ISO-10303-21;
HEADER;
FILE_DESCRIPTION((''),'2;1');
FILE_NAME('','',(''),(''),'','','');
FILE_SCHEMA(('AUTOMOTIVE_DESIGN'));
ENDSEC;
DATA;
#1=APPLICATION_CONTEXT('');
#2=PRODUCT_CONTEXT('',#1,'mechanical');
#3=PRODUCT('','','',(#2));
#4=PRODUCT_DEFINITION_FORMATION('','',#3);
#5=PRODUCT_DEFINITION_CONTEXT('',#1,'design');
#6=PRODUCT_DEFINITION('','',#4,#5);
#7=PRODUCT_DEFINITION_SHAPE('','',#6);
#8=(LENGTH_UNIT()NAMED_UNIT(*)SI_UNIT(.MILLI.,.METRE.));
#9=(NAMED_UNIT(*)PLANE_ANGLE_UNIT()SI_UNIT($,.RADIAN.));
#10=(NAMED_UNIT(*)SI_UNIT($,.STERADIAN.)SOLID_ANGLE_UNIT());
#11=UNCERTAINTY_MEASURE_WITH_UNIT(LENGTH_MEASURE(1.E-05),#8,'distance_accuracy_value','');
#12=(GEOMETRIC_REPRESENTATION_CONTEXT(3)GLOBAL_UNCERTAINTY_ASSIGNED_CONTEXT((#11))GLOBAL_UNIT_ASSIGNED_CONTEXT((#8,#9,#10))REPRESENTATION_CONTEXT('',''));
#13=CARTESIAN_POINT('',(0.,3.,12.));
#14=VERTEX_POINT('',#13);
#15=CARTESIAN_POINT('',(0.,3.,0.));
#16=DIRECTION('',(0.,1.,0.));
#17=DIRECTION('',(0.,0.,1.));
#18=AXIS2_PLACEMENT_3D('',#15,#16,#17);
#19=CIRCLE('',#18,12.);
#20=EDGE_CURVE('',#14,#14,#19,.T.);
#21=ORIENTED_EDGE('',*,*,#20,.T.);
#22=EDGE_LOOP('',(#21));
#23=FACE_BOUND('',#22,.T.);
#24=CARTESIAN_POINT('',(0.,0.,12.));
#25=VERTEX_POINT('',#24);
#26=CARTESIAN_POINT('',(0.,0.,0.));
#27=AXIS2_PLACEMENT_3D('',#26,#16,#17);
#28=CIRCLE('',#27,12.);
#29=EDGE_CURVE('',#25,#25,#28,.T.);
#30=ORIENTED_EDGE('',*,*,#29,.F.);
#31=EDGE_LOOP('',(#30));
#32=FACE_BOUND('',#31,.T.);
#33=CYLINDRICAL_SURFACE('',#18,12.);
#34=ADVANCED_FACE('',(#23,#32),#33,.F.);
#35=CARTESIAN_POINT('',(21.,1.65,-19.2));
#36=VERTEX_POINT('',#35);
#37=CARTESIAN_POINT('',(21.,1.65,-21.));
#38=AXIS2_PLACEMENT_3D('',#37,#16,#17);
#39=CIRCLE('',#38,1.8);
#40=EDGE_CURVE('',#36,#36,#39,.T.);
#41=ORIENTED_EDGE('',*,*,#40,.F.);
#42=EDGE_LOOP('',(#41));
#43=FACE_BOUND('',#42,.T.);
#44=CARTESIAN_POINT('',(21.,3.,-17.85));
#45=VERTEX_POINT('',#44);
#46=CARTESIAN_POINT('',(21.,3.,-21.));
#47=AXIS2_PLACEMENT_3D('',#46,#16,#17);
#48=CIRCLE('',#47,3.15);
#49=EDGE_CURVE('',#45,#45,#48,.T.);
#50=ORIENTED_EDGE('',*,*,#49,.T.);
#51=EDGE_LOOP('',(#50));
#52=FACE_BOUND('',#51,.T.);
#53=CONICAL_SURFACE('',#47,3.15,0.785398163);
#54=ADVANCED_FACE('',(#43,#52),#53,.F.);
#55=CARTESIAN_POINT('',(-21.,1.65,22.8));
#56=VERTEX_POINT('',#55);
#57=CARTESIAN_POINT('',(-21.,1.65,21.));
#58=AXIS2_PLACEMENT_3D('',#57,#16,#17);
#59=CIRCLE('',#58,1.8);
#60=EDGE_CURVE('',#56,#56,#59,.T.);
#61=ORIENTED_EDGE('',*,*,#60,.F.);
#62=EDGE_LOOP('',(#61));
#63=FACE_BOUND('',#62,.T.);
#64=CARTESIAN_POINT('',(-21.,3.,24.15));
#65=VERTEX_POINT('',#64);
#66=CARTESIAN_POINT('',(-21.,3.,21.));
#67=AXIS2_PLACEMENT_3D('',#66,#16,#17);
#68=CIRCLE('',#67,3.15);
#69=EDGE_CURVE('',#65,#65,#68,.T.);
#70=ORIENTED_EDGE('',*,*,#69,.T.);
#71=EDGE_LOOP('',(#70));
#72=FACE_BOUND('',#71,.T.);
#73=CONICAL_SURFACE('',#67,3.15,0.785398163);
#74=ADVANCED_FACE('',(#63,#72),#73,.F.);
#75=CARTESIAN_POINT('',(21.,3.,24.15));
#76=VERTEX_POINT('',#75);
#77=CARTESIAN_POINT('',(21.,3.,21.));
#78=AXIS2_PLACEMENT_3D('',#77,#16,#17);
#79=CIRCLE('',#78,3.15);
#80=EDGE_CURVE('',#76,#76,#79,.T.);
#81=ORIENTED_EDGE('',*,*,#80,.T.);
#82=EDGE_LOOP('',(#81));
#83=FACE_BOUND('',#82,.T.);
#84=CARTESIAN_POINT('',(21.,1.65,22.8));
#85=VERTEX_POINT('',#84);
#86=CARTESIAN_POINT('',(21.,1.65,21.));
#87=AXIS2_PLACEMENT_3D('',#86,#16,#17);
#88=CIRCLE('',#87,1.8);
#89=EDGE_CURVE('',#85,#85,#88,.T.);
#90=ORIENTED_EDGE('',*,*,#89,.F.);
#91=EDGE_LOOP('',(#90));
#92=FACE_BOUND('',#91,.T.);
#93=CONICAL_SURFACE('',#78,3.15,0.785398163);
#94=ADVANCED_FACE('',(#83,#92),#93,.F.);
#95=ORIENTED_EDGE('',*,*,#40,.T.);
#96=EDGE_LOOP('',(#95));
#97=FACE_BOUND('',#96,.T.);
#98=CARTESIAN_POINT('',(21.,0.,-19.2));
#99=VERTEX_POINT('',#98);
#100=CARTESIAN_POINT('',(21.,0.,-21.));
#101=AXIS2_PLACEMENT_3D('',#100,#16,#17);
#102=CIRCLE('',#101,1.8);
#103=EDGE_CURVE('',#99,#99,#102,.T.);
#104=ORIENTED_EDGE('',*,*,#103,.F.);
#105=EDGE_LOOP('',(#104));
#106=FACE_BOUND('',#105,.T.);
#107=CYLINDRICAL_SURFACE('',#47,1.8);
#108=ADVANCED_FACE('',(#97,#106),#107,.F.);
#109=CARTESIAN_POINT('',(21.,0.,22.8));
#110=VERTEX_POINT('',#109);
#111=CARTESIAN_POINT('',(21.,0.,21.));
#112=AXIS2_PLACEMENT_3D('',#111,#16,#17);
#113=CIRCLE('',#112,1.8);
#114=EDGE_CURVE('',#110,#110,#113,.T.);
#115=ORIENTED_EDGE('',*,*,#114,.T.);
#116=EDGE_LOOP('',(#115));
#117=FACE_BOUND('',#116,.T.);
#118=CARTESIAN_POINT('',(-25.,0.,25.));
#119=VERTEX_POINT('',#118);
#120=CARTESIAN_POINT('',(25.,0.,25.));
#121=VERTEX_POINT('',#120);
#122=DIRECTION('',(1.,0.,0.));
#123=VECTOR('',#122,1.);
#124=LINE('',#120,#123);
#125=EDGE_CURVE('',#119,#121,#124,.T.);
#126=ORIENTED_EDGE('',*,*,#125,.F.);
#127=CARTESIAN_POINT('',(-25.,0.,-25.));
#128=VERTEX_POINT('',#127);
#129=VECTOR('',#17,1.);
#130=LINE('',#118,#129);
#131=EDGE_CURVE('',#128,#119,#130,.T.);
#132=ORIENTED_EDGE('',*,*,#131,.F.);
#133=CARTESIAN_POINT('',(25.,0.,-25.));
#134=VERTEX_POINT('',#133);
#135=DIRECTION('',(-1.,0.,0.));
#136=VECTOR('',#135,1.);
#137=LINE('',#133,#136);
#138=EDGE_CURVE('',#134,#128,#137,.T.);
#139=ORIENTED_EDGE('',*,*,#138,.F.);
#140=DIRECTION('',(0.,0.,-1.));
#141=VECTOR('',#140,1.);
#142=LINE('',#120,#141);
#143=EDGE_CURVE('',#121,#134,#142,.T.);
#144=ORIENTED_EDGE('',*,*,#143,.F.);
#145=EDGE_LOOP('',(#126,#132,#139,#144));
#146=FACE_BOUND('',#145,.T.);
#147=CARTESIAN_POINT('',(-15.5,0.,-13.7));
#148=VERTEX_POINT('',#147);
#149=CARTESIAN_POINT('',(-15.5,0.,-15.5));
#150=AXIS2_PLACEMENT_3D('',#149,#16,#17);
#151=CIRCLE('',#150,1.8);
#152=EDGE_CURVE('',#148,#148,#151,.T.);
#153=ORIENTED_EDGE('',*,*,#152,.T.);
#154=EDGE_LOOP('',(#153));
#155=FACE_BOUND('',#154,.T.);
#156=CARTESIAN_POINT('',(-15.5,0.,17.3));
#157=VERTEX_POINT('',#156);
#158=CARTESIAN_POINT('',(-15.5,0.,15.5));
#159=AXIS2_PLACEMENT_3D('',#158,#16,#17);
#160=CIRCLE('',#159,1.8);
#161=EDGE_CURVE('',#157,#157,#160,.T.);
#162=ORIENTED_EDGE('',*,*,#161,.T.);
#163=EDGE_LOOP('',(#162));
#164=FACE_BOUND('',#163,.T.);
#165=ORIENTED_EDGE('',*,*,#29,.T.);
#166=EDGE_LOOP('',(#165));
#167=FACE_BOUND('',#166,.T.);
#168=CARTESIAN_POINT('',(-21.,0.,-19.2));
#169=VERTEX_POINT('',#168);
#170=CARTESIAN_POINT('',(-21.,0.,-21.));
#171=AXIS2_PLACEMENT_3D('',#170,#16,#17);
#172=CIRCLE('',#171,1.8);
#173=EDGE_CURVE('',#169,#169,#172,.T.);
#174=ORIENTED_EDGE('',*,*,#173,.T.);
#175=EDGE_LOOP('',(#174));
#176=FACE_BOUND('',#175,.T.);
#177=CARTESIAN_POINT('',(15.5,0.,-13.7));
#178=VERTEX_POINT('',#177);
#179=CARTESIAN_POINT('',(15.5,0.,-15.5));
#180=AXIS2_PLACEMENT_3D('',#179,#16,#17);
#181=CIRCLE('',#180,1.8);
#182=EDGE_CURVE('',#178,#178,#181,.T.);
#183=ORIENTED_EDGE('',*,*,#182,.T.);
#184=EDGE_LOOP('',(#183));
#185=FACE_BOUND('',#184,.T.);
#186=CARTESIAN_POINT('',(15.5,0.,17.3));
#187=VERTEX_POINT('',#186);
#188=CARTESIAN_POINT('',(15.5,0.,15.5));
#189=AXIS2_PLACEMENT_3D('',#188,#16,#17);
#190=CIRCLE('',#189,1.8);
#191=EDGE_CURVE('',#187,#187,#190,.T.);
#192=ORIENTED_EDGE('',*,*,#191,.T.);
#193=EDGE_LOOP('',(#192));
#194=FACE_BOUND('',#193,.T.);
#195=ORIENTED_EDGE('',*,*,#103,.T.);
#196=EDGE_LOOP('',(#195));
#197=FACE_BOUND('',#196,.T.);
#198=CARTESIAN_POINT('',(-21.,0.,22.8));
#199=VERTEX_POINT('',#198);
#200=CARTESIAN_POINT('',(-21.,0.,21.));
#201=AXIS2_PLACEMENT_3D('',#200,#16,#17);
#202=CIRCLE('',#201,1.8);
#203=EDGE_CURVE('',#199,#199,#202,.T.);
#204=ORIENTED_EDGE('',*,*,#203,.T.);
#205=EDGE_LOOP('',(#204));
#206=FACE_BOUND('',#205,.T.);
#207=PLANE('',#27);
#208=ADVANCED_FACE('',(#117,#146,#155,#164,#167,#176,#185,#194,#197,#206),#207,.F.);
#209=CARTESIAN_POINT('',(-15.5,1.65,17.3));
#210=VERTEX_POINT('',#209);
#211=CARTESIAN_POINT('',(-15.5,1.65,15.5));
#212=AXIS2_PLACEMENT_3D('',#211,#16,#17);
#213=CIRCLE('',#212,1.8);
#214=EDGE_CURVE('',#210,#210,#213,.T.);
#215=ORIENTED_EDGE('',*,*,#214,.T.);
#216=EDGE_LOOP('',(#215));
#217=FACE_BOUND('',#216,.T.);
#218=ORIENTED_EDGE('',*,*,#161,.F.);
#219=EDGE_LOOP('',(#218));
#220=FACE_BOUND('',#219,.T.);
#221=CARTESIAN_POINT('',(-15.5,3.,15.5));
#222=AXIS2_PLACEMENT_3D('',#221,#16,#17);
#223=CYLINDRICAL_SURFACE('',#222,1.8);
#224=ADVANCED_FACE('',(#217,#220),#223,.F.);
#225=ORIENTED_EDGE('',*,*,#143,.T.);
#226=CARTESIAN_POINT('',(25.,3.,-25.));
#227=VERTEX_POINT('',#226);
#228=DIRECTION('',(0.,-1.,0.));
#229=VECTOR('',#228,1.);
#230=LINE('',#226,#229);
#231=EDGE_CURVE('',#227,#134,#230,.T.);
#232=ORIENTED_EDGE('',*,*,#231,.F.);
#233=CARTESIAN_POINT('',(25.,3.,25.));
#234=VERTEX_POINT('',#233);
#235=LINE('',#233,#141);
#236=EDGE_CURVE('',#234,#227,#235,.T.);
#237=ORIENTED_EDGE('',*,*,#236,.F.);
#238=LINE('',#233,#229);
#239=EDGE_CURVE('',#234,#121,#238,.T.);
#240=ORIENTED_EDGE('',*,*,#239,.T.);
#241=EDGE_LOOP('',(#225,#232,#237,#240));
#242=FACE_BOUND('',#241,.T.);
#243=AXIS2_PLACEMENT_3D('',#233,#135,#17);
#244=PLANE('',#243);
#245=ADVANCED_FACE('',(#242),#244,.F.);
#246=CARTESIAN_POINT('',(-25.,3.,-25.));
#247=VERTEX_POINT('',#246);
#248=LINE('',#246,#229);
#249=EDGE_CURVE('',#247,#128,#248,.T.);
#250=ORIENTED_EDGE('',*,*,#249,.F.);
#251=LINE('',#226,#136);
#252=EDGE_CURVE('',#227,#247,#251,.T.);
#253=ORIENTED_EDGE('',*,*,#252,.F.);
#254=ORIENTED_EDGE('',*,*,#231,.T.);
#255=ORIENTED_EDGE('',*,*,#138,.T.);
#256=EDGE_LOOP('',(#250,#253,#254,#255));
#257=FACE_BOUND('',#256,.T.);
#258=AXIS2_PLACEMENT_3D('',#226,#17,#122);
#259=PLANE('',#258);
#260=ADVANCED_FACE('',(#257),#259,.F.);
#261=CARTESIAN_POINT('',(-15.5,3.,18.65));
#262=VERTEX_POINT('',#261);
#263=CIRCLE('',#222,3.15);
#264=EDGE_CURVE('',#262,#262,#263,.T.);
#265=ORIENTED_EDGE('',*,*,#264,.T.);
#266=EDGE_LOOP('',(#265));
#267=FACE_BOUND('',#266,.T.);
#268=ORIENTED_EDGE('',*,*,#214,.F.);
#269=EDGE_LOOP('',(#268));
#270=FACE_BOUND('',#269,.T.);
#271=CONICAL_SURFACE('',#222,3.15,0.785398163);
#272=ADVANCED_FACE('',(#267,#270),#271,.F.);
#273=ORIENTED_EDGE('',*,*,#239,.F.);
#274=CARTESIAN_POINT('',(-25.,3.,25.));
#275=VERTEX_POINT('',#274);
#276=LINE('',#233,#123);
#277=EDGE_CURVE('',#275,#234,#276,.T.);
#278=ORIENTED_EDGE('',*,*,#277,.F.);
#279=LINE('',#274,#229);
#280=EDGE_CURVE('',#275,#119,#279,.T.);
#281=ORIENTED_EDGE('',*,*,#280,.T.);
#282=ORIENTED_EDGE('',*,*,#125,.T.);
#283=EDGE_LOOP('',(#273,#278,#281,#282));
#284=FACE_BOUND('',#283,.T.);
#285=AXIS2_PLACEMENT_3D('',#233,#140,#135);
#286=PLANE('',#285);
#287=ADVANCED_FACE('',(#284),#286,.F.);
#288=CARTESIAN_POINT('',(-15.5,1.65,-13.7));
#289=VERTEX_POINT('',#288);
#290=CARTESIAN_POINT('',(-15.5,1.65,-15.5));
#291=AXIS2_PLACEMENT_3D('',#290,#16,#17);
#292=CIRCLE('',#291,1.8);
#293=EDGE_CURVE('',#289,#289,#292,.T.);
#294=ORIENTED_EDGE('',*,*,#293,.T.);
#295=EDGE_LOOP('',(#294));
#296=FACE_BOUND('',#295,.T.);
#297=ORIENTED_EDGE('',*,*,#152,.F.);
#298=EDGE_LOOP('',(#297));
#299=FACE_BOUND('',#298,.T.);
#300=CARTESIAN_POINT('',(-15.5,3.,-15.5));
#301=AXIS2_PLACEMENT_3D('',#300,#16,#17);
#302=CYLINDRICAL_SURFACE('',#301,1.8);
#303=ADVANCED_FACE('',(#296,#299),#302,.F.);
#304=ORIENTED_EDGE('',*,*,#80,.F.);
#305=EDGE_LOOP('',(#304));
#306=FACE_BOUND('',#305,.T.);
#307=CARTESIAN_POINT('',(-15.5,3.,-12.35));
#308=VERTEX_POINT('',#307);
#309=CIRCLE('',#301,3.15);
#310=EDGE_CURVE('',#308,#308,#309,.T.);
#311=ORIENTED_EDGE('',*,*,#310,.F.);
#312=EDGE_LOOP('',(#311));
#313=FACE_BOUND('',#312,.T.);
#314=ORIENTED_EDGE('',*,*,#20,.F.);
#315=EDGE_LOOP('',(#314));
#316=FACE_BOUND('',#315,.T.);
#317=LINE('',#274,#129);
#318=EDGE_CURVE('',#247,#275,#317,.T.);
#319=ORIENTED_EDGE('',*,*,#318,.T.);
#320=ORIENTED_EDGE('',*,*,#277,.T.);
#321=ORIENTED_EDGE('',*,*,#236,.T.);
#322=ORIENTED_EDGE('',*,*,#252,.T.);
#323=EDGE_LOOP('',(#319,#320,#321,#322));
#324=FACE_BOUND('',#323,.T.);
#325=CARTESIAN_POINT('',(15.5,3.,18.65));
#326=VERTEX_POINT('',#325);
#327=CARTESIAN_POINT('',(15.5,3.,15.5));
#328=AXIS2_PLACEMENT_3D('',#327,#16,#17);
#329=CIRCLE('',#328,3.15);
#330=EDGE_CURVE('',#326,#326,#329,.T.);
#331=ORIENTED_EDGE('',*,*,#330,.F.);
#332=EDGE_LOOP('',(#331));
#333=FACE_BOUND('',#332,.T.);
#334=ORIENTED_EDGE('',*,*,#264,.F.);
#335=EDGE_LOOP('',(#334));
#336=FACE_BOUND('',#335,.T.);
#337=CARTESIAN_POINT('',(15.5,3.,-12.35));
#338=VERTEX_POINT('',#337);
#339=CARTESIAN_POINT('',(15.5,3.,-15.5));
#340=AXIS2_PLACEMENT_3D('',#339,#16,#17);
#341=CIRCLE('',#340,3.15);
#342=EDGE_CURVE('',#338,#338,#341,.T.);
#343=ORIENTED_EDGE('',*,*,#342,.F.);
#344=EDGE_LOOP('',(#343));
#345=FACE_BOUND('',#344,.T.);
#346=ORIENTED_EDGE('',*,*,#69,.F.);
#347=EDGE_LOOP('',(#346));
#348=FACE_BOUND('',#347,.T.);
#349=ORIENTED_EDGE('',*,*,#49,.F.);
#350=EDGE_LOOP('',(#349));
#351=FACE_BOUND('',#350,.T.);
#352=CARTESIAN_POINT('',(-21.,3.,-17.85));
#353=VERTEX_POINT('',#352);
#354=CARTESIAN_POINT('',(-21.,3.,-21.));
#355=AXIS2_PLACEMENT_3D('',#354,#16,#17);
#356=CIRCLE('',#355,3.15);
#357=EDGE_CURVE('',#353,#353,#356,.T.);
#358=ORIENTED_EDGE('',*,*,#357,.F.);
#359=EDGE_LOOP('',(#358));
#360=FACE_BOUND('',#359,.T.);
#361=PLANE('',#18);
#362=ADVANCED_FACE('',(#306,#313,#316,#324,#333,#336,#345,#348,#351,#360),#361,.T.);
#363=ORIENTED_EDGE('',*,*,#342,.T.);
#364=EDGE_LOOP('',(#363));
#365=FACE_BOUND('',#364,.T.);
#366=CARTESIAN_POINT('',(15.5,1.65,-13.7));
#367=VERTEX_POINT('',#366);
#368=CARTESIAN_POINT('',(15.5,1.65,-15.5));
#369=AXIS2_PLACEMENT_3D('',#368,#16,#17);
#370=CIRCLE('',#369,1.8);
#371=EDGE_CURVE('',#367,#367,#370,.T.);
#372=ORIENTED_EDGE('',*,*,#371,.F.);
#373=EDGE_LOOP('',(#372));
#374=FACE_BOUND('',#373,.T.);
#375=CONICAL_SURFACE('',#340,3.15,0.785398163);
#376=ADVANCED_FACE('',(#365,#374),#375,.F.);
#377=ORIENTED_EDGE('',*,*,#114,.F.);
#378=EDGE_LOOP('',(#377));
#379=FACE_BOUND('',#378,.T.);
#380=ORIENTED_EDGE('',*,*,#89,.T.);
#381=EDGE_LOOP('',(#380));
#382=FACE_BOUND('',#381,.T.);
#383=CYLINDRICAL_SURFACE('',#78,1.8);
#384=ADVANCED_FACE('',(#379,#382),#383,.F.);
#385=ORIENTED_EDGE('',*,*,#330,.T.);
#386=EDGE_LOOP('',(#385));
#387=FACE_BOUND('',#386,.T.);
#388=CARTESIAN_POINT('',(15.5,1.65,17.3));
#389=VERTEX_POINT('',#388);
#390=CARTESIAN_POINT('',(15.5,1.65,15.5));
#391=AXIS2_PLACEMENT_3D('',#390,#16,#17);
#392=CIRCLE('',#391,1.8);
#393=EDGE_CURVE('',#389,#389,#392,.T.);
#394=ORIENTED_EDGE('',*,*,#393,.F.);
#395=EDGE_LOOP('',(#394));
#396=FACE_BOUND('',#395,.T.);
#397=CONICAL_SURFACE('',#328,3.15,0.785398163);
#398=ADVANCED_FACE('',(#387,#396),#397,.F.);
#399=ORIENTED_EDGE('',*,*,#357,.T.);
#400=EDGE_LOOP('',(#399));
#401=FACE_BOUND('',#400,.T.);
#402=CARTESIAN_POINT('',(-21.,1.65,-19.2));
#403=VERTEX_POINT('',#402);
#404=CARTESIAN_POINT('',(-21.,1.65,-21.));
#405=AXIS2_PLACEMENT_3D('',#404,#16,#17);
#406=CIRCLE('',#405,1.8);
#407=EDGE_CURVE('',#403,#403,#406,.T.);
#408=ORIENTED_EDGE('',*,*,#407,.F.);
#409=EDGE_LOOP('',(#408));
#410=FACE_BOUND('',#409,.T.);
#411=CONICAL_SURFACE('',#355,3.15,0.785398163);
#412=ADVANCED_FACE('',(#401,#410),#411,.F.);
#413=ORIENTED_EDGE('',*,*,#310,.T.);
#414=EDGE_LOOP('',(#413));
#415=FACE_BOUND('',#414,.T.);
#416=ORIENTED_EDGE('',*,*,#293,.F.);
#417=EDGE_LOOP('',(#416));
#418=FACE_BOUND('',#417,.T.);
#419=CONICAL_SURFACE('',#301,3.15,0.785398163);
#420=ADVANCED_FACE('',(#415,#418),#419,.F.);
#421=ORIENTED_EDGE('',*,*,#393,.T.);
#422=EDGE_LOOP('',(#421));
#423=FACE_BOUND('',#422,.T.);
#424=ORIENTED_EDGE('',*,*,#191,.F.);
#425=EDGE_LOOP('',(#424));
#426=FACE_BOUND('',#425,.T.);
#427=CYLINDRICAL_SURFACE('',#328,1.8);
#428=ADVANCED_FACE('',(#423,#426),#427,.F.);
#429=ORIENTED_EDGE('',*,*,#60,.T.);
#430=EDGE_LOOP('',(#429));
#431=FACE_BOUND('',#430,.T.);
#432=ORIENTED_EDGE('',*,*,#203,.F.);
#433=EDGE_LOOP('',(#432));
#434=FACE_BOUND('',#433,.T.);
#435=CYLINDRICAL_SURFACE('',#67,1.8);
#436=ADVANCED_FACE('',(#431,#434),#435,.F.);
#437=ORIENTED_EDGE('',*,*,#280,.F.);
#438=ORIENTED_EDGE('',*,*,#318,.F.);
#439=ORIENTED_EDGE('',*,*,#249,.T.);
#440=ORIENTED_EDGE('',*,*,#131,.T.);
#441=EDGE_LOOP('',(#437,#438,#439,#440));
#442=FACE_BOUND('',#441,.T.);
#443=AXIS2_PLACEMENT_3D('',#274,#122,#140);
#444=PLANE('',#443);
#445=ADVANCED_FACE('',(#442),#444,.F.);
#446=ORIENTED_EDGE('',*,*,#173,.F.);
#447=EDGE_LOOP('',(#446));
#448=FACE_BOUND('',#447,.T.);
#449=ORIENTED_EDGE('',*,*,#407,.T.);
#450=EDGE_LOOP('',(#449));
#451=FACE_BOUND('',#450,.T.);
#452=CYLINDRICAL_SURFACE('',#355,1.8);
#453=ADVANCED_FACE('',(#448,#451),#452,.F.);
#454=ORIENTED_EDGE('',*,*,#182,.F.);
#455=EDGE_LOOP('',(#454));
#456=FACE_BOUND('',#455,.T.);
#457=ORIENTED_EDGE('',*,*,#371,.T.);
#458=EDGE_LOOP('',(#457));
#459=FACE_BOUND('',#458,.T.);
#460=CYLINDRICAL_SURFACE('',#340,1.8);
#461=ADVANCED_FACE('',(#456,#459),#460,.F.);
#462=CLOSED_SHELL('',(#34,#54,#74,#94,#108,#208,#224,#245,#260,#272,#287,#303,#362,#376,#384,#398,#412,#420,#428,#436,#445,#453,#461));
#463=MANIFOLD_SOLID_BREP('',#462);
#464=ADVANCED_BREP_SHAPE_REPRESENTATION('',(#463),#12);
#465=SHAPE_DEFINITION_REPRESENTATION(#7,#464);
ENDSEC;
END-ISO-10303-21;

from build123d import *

# Parameters (mm, degrees)
PLATE_W                                        = 50
PLATE_H                                        = 50
BOSS_EXTRUDE1_DEPTH                            = 3
CSK_FOR_M3_OVAL_HEAD_MACHINE_SCREW1_AT_2_COUNT = 2
CSK_FOR_M3_OVAL_HEAD_MACHINE_SCREW1_AT_2_PITCH = 42
CSK_FOR_M3_OVAL_HEAD_MACHINE_SCREW1_AT_3_COUNT = 2
CSK_FOR_M3_OVAL_HEAD_MACHINE_SCREW1_AT_3_PITCH = 59.39696962
CSK_FOR_M3_OVAL_HEAD_MACHINE_SCREW1_AT_4_COUNT = 2
CSK_FOR_M3_OVAL_HEAD_MACHINE_SCREW1_AT_4_PITCH = 42
F_24_0_24_DIAMETER_HOLE1_D                     = 24
F_24_0_24_DIAMETER_HOLE1_ON_FACE_2_D           = 24
F_24_0_24_DIAMETER_HOLE1_ON_FACE_3_D           = 24
CSK_FOR_M3_OVAL_HEAD_MACHINE_SCREW2_AT_2_COUNT = 2
CSK_FOR_M3_OVAL_HEAD_MACHINE_SCREW2_AT_2_PITCH = 31
CSK_FOR_M3_OVAL_HEAD_MACHINE_SCREW2_AT_3_COUNT = 2
CSK_FOR_M3_OVAL_HEAD_MACHINE_SCREW2_AT_3_PITCH = 43.840620434
CSK_FOR_M3_OVAL_HEAD_MACHINE_SCREW2_AT_4_COUNT = 2
CSK_FOR_M3_OVAL_HEAD_MACHINE_SCREW2_AT_4_PITCH = 31


with BuildPart() as part:
    # Plate → Boss-Extrude1 (new body)
    with BuildSketch(Plane(origin=(0, 0, 0), x_dir=(1, 0, 0), z_dir=(0, 1, 0))):
        Rectangle(PLATE_W, PLATE_H)
    extrude(amount=BOSS_EXTRUDE1_DEPTH)

    # Sketch3 → CSK for M3 Oval Head Machine Screw1 (revolve, cut)
    with BuildSketch(Plane(origin=(-21, 3, 21), x_dir=(0, 0, 1), z_dir=(1, 0, 0))):
        Polygon((0, 0), (0, 3), (1.8, 3), (1.8, 1.35), (3.15, 0), align=None)
    csk_for_m3_oval_head_machine_screw1 = revolve(axis=Axis((-21, 9.35, 21), (0, -1, 0)), mode=Mode.SUBTRACT)

    # CSK for M3 Oval Head Machine Screw1 at 2: CSK for M3 Oval Head Machine Screw1 ×2
    with Locations(*[(0, 0, -i * CSK_FOR_M3_OVAL_HEAD_MACHINE_SCREW1_AT_2_PITCH) for i in range(1, CSK_FOR_M3_OVAL_HEAD_MACHINE_SCREW1_AT_2_COUNT)]):
        add(csk_for_m3_oval_head_machine_screw1, mode=Mode.SUBTRACT)

    # CSK for M3 Oval Head Machine Screw1 at 3: CSK for M3 Oval Head Machine Screw1 ×2
    with Locations(*[Vector(0.707106781, 0, -0.707106781) * (i * CSK_FOR_M3_OVAL_HEAD_MACHINE_SCREW1_AT_3_PITCH) for i in range(1, CSK_FOR_M3_OVAL_HEAD_MACHINE_SCREW1_AT_3_COUNT)]):
        add(csk_for_m3_oval_head_machine_screw1, mode=Mode.SUBTRACT)

    # CSK for M3 Oval Head Machine Screw1 at 4: CSK for M3 Oval Head Machine Screw1 ×2
    with Locations(*[(i * CSK_FOR_M3_OVAL_HEAD_MACHINE_SCREW1_AT_4_PITCH, 0, 0) for i in range(1, CSK_FOR_M3_OVAL_HEAD_MACHINE_SCREW1_AT_4_COUNT)]):
        add(csk_for_m3_oval_head_machine_screw1, mode=Mode.SUBTRACT)

    # Ø24.0 (24) Diameter Hole1 (through all)
    with Locations(Plane.ZX.offset(3)):
        with Locations((0, 0)):
            Hole(F_24_0_24_DIAMETER_HOLE1_D / 2)

    # Ø24.0 (24) Diameter Hole1 on face 2 (through all)
    with Locations(Plane(origin=(0, 0, 0), x_dir=(0, 0, -1), z_dir=(0, -1, 0))):
        with Locations((0, 0)):
            Hole(F_24_0_24_DIAMETER_HOLE1_ON_FACE_2_D / 2)

    # Ø24.0 (24) Diameter Hole1 on face 3 (through all)
    with Locations(Plane(origin=(-62.061079299, -166.048748064, 0), x_dir=(0, 0, 1), z_dir=(0, 1, 0))):
        with Locations((0, 0)):
            Hole(F_24_0_24_DIAMETER_HOLE1_ON_FACE_3_D / 2)

    # Sketch6 → CSK for M3 Oval Head Machine Screw2 (revolve, cut)
    with BuildSketch(Plane(origin=(-15.5, 3, -15.5), x_dir=(0, 0, 1), z_dir=(1, 0, 0))):
        Polygon((0, 0), (0, 3), (1.8, 3), (1.8, 1.35), (3.15, 0), align=None)
    csk_for_m3_oval_head_machine_screw2 = revolve(axis=Axis((-15.5, 9.35, -15.5), (0, -1, 0)), mode=Mode.SUBTRACT)

    # CSK for M3 Oval Head Machine Screw2 at 2: CSK for M3 Oval Head Machine Screw2 ×2
    with Locations(*[(i * CSK_FOR_M3_OVAL_HEAD_MACHINE_SCREW2_AT_2_PITCH, 0, 0) for i in range(1, CSK_FOR_M3_OVAL_HEAD_MACHINE_SCREW2_AT_2_COUNT)]):
        add(csk_for_m3_oval_head_machine_screw2, mode=Mode.SUBTRACT)

    # CSK for M3 Oval Head Machine Screw2 at 3: CSK for M3 Oval Head Machine Screw2 ×2
    with Locations(*[Vector(0.707106781, 0, 0.707106781) * (i * CSK_FOR_M3_OVAL_HEAD_MACHINE_SCREW2_AT_3_PITCH) for i in range(1, CSK_FOR_M3_OVAL_HEAD_MACHINE_SCREW2_AT_3_COUNT)]):
        add(csk_for_m3_oval_head_machine_screw2, mode=Mode.SUBTRACT)

    # CSK for M3 Oval Head Machine Screw2 at 4: CSK for M3 Oval Head Machine Screw2 ×2
    with Locations(*[(0, 0, i * CSK_FOR_M3_OVAL_HEAD_MACHINE_SCREW2_AT_4_PITCH) for i in range(1, CSK_FOR_M3_OVAL_HEAD_MACHINE_SCREW2_AT_4_COUNT)]):
        add(csk_for_m3_oval_head_machine_screw2, mode=Mode.SUBTRACT)


solid = part.part
